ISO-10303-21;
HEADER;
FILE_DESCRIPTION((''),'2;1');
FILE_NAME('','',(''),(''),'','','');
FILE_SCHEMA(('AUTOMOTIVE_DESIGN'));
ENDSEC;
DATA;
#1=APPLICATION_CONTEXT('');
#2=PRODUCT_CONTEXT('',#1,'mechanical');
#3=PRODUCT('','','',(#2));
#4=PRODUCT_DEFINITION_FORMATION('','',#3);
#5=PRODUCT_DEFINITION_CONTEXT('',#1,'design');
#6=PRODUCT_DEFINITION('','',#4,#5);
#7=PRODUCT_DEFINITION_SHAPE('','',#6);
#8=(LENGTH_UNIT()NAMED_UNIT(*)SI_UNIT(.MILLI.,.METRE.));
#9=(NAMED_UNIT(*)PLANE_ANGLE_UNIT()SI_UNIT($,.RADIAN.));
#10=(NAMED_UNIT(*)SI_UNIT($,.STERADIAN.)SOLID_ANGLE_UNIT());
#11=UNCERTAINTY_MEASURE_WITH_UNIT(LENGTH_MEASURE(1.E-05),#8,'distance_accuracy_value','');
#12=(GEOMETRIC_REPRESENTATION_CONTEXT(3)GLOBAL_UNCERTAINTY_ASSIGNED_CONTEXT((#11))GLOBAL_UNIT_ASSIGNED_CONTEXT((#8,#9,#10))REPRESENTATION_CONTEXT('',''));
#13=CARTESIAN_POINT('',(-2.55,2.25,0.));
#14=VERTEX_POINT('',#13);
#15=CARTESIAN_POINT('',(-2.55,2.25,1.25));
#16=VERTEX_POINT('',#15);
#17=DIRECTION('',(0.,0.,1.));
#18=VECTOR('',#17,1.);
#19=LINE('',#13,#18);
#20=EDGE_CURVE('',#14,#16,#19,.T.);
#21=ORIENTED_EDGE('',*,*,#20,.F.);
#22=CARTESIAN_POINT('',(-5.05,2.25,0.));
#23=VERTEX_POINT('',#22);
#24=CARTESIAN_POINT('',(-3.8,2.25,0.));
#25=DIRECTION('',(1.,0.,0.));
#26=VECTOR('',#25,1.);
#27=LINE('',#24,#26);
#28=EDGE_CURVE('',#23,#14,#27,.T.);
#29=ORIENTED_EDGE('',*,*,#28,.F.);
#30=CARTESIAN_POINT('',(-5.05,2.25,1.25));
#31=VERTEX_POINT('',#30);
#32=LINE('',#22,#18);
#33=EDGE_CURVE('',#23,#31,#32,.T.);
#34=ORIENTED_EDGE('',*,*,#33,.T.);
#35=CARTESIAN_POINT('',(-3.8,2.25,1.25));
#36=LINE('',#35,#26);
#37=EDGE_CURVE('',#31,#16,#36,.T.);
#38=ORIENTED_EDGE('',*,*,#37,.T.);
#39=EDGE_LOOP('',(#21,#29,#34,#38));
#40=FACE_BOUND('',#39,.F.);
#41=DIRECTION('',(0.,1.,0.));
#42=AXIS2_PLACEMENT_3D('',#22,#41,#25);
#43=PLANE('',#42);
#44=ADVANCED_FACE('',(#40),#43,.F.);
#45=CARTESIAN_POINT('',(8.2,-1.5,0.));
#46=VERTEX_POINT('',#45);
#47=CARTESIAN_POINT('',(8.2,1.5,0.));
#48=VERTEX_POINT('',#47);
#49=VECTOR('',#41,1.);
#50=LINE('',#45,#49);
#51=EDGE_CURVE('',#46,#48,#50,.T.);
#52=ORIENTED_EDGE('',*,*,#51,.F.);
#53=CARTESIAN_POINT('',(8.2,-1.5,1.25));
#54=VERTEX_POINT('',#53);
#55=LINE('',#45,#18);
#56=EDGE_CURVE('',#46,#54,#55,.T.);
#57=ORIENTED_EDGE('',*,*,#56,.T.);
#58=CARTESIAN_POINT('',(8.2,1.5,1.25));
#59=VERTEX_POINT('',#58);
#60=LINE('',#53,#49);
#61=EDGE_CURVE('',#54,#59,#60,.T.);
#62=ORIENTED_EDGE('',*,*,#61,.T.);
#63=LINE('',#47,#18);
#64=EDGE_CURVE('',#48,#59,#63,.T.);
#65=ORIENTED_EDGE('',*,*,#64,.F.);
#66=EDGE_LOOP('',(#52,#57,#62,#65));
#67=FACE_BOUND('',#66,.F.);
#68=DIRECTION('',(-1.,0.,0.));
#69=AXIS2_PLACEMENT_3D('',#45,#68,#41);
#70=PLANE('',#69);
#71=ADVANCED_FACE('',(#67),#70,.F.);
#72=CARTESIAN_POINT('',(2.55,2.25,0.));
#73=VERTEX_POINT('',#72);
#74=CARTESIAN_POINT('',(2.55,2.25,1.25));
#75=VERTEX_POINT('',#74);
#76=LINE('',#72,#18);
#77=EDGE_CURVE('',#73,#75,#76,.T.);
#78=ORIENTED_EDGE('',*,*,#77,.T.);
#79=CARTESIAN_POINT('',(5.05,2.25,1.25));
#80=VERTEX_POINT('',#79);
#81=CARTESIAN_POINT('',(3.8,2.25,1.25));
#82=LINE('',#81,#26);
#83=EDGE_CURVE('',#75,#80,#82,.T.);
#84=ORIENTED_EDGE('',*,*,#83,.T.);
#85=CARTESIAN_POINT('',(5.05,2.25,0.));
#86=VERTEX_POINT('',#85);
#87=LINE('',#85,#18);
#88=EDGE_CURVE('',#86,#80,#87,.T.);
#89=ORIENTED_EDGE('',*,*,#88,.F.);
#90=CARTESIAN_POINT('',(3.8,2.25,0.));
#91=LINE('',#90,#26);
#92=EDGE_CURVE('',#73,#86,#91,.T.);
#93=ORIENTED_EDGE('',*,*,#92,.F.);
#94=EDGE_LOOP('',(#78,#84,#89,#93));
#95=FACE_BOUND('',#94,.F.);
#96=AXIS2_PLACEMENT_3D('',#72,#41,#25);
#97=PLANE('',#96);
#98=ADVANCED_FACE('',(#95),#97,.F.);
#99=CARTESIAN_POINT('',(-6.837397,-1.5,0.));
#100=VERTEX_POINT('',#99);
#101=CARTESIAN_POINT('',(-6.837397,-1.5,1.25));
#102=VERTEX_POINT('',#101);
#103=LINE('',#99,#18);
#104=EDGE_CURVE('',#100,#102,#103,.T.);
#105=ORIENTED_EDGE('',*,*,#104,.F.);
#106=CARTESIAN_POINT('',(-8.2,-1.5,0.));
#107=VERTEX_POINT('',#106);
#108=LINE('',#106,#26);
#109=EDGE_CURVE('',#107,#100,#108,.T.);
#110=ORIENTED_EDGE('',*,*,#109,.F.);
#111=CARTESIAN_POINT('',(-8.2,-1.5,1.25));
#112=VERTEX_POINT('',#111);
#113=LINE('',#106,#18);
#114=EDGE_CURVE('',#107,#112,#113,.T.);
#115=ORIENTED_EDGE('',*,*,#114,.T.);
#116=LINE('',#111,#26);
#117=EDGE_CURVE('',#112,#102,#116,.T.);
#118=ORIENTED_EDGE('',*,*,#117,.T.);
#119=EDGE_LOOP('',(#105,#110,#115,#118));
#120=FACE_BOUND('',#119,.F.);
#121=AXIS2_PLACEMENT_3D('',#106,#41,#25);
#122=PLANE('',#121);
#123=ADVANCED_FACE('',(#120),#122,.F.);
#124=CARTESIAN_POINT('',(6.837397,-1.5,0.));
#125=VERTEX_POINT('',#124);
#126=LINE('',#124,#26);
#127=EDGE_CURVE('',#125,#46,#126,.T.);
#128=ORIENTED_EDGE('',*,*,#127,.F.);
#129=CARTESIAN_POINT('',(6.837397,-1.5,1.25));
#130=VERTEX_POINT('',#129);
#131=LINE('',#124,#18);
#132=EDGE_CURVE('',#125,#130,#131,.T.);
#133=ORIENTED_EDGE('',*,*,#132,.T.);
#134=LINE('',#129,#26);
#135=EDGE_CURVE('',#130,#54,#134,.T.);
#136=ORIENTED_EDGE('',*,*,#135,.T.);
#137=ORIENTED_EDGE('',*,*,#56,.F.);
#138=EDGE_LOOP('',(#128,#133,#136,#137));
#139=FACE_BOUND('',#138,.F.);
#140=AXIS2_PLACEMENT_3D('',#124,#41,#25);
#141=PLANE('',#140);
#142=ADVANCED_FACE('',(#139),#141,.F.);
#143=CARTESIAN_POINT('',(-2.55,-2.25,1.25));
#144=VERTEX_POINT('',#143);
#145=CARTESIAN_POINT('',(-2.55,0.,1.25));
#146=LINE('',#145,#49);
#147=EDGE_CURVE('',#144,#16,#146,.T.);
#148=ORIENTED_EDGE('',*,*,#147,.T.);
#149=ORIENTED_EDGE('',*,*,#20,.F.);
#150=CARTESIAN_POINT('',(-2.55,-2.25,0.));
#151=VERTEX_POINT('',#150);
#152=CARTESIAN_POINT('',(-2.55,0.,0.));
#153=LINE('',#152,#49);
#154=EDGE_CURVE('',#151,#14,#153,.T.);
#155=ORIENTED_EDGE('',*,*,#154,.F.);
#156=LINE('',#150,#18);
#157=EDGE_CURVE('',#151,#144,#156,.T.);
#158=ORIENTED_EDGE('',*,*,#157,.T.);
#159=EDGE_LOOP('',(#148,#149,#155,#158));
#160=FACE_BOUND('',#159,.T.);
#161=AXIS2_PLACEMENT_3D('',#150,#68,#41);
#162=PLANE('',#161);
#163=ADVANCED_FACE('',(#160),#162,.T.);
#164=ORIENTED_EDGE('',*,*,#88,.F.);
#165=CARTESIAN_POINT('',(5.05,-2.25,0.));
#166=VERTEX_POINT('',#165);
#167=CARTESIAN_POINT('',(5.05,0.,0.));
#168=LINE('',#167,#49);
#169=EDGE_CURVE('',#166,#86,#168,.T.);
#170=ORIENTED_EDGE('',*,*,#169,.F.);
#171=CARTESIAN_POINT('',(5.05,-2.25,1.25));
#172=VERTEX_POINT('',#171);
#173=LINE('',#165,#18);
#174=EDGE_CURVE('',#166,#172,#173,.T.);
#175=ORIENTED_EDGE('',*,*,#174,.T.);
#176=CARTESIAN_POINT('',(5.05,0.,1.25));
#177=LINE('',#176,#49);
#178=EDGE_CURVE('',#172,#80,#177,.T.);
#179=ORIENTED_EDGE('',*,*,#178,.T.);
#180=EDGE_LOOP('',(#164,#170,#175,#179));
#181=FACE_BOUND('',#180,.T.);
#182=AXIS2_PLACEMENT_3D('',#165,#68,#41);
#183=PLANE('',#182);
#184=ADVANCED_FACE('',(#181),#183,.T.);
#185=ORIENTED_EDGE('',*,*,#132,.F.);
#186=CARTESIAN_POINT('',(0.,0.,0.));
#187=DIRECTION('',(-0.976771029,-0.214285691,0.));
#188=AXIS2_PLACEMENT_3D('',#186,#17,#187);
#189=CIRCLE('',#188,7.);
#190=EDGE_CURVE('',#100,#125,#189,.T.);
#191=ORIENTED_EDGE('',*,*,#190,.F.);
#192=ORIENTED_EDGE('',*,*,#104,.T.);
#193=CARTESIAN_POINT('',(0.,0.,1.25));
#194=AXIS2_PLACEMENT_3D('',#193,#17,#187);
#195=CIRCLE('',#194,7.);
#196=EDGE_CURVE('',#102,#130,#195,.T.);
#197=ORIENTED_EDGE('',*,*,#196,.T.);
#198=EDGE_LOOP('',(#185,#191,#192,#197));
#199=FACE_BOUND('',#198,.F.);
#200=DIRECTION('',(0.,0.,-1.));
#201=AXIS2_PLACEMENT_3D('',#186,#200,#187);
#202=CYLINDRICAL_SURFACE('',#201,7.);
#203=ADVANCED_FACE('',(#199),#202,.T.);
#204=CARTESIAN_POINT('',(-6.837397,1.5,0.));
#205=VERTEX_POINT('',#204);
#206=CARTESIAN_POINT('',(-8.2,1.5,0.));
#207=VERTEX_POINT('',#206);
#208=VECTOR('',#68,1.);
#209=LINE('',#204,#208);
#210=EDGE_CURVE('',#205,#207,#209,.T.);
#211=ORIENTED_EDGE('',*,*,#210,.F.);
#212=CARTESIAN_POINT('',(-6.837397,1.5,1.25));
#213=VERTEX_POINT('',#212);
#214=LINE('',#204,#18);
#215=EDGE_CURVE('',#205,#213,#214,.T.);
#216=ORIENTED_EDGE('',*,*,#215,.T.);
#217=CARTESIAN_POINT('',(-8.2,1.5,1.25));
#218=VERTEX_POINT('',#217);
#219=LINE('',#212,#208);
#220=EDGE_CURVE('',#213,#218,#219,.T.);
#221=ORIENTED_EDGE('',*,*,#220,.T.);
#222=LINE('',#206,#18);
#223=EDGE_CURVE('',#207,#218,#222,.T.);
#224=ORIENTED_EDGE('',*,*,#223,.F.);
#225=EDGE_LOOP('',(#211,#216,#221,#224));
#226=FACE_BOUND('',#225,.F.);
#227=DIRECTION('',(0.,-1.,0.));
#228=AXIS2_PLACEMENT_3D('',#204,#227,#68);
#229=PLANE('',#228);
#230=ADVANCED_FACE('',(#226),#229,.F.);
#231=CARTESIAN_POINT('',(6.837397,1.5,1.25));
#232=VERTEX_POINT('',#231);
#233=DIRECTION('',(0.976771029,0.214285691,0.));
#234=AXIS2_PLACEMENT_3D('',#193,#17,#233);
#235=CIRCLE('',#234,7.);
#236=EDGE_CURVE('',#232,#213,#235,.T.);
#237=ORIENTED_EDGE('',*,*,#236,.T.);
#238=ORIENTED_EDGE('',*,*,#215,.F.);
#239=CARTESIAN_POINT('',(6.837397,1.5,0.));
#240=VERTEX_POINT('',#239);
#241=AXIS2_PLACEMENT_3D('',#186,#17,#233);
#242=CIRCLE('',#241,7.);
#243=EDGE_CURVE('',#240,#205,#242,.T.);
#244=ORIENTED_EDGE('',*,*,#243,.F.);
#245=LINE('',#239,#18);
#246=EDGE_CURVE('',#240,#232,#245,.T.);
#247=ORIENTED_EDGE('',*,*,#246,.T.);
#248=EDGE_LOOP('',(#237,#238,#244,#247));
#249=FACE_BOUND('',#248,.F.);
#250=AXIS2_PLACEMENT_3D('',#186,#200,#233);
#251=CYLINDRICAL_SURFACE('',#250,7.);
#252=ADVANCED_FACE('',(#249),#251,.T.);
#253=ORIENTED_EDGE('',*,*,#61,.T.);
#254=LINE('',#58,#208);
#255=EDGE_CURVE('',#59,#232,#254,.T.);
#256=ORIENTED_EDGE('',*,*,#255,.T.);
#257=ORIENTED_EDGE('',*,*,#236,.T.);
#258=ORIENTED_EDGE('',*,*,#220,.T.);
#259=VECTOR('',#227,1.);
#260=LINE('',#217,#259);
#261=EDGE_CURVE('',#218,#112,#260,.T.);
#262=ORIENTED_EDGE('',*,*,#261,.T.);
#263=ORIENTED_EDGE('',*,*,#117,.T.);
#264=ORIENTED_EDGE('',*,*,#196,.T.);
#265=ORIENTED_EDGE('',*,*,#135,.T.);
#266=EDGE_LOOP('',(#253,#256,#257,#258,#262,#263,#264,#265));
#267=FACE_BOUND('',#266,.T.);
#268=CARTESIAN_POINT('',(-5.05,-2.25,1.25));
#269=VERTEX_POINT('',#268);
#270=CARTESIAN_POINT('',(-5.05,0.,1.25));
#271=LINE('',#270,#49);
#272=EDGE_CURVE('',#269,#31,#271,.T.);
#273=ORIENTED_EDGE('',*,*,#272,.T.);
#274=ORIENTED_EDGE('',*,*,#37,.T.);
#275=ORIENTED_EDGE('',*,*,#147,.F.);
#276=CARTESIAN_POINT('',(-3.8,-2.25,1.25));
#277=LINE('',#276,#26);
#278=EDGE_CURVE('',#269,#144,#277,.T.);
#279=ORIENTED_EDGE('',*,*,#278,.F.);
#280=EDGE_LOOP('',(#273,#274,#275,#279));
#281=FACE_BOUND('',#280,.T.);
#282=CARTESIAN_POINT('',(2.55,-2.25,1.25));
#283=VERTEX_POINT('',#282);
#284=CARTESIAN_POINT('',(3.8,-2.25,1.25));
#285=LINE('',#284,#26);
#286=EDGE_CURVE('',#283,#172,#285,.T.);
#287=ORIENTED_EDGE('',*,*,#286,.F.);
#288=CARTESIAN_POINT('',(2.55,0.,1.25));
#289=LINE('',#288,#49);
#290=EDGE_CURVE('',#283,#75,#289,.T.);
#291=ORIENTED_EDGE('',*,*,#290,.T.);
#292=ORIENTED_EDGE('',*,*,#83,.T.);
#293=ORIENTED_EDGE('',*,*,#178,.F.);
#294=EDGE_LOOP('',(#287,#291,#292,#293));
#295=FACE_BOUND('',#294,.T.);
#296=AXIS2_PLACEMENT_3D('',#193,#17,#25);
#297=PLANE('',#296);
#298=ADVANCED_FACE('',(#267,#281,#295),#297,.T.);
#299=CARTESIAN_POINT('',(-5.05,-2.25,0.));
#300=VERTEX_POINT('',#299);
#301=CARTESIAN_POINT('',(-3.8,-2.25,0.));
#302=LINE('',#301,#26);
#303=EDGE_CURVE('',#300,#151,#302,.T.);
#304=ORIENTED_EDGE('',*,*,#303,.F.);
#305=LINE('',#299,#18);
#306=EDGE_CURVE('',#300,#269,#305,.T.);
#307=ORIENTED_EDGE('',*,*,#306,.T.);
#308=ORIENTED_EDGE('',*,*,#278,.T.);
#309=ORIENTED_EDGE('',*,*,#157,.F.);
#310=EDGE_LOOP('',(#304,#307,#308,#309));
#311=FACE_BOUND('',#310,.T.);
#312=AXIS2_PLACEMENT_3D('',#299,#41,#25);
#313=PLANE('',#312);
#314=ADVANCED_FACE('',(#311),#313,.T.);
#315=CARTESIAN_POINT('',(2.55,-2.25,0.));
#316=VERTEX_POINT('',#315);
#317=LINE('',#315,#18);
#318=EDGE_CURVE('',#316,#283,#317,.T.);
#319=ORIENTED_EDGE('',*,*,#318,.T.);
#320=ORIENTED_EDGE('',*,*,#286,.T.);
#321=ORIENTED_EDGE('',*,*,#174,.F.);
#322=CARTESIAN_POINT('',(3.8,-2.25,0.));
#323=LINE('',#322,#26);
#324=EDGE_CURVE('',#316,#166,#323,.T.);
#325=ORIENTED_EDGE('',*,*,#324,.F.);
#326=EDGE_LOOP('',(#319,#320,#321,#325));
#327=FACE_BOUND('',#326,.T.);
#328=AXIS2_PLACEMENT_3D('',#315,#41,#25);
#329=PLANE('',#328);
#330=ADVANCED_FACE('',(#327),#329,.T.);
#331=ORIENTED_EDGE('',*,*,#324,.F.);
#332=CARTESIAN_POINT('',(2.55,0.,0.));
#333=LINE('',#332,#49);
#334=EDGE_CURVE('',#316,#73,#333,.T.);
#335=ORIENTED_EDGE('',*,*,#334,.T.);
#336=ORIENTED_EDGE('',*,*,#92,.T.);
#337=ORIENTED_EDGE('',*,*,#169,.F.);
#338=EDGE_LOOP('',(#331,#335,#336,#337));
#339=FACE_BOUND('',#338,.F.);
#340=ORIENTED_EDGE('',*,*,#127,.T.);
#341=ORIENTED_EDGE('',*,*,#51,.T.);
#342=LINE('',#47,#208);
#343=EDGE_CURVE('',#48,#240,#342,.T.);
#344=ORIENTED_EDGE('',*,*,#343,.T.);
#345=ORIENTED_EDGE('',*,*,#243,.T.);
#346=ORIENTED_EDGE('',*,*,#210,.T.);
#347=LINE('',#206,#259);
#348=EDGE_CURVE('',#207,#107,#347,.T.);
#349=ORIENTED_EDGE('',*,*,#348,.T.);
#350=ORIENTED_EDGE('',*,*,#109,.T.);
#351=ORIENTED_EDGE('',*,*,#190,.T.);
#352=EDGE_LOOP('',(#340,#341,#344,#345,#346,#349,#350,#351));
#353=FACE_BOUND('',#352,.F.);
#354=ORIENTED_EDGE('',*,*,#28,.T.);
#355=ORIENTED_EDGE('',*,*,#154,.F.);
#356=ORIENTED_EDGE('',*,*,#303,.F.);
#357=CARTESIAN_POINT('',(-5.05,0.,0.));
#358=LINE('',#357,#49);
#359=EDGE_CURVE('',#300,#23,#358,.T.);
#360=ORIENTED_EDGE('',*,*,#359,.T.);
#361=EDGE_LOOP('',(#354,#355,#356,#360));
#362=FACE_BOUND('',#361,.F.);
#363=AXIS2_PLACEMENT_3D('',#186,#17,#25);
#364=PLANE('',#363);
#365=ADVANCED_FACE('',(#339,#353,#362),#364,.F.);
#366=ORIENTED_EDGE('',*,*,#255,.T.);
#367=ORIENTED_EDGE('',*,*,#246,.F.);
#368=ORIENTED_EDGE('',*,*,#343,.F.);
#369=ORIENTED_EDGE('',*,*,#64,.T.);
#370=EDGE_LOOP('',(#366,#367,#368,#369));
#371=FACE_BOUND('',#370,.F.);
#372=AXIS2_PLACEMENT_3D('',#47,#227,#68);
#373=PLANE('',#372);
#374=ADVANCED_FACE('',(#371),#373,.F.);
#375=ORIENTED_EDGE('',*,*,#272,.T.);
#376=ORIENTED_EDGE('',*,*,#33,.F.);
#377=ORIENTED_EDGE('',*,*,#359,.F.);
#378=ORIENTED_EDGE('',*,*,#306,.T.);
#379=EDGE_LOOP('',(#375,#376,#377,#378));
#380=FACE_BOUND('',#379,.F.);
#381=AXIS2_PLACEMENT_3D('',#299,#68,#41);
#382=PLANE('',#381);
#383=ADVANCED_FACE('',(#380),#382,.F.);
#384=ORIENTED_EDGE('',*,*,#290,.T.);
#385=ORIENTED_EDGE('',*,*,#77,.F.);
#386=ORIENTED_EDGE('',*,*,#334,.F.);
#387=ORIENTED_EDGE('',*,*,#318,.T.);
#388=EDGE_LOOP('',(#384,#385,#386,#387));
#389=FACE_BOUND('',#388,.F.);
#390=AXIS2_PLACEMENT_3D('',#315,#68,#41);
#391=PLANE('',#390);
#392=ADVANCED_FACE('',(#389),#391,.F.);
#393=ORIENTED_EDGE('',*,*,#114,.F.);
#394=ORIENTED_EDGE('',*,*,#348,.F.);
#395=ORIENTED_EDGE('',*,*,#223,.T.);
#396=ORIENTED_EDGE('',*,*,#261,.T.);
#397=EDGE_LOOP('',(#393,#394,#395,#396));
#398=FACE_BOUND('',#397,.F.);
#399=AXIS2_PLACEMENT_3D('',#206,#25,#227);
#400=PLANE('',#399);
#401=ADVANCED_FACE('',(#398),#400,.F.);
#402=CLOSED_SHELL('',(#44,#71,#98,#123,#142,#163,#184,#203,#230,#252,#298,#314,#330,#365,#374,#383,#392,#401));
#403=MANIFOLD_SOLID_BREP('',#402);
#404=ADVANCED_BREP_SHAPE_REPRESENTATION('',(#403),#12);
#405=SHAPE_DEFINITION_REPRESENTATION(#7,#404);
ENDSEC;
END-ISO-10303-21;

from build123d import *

# Parameters (mm, degrees)
F0_W     = 2.5
F0_H     = 4.5
F1_DEPTH = 1.25


with BuildPart() as f1:
    # F0 (on Top) → F1 (new body)
    with BuildSketch(Plane.XY):
        with BuildLine():
            Line((8.2, 1.5), (6.837397, 1.5))
            ThreePointArc((6.837397, 1.5), (0, 7), (-6.837397, 1.5))
            Line((-6.837397, 1.5), (-8.2, 1.5))
            Line((-8.2, 1.5), (-8.2, -1.5))
            Line((-8.2, -1.5), (-6.837397, -1.5))
            ThreePointArc((-6.837397, -1.5), (0, -7), (6.837397, -1.5))
            Line((6.837397, -1.5), (8.2, -1.5))
            Line((8.2, -1.5), (8.2, 1.5))
        make_face()
        with Locations((-3.8, 0)):
            Rectangle(F0_W, F0_H, mode=Mode.SUBTRACT)
        with Locations((3.8, 0)):
            Rectangle(F0_W, F0_H, mode=Mode.SUBTRACT)
    extrude(amount=F1_DEPTH)


solid = f1.part
